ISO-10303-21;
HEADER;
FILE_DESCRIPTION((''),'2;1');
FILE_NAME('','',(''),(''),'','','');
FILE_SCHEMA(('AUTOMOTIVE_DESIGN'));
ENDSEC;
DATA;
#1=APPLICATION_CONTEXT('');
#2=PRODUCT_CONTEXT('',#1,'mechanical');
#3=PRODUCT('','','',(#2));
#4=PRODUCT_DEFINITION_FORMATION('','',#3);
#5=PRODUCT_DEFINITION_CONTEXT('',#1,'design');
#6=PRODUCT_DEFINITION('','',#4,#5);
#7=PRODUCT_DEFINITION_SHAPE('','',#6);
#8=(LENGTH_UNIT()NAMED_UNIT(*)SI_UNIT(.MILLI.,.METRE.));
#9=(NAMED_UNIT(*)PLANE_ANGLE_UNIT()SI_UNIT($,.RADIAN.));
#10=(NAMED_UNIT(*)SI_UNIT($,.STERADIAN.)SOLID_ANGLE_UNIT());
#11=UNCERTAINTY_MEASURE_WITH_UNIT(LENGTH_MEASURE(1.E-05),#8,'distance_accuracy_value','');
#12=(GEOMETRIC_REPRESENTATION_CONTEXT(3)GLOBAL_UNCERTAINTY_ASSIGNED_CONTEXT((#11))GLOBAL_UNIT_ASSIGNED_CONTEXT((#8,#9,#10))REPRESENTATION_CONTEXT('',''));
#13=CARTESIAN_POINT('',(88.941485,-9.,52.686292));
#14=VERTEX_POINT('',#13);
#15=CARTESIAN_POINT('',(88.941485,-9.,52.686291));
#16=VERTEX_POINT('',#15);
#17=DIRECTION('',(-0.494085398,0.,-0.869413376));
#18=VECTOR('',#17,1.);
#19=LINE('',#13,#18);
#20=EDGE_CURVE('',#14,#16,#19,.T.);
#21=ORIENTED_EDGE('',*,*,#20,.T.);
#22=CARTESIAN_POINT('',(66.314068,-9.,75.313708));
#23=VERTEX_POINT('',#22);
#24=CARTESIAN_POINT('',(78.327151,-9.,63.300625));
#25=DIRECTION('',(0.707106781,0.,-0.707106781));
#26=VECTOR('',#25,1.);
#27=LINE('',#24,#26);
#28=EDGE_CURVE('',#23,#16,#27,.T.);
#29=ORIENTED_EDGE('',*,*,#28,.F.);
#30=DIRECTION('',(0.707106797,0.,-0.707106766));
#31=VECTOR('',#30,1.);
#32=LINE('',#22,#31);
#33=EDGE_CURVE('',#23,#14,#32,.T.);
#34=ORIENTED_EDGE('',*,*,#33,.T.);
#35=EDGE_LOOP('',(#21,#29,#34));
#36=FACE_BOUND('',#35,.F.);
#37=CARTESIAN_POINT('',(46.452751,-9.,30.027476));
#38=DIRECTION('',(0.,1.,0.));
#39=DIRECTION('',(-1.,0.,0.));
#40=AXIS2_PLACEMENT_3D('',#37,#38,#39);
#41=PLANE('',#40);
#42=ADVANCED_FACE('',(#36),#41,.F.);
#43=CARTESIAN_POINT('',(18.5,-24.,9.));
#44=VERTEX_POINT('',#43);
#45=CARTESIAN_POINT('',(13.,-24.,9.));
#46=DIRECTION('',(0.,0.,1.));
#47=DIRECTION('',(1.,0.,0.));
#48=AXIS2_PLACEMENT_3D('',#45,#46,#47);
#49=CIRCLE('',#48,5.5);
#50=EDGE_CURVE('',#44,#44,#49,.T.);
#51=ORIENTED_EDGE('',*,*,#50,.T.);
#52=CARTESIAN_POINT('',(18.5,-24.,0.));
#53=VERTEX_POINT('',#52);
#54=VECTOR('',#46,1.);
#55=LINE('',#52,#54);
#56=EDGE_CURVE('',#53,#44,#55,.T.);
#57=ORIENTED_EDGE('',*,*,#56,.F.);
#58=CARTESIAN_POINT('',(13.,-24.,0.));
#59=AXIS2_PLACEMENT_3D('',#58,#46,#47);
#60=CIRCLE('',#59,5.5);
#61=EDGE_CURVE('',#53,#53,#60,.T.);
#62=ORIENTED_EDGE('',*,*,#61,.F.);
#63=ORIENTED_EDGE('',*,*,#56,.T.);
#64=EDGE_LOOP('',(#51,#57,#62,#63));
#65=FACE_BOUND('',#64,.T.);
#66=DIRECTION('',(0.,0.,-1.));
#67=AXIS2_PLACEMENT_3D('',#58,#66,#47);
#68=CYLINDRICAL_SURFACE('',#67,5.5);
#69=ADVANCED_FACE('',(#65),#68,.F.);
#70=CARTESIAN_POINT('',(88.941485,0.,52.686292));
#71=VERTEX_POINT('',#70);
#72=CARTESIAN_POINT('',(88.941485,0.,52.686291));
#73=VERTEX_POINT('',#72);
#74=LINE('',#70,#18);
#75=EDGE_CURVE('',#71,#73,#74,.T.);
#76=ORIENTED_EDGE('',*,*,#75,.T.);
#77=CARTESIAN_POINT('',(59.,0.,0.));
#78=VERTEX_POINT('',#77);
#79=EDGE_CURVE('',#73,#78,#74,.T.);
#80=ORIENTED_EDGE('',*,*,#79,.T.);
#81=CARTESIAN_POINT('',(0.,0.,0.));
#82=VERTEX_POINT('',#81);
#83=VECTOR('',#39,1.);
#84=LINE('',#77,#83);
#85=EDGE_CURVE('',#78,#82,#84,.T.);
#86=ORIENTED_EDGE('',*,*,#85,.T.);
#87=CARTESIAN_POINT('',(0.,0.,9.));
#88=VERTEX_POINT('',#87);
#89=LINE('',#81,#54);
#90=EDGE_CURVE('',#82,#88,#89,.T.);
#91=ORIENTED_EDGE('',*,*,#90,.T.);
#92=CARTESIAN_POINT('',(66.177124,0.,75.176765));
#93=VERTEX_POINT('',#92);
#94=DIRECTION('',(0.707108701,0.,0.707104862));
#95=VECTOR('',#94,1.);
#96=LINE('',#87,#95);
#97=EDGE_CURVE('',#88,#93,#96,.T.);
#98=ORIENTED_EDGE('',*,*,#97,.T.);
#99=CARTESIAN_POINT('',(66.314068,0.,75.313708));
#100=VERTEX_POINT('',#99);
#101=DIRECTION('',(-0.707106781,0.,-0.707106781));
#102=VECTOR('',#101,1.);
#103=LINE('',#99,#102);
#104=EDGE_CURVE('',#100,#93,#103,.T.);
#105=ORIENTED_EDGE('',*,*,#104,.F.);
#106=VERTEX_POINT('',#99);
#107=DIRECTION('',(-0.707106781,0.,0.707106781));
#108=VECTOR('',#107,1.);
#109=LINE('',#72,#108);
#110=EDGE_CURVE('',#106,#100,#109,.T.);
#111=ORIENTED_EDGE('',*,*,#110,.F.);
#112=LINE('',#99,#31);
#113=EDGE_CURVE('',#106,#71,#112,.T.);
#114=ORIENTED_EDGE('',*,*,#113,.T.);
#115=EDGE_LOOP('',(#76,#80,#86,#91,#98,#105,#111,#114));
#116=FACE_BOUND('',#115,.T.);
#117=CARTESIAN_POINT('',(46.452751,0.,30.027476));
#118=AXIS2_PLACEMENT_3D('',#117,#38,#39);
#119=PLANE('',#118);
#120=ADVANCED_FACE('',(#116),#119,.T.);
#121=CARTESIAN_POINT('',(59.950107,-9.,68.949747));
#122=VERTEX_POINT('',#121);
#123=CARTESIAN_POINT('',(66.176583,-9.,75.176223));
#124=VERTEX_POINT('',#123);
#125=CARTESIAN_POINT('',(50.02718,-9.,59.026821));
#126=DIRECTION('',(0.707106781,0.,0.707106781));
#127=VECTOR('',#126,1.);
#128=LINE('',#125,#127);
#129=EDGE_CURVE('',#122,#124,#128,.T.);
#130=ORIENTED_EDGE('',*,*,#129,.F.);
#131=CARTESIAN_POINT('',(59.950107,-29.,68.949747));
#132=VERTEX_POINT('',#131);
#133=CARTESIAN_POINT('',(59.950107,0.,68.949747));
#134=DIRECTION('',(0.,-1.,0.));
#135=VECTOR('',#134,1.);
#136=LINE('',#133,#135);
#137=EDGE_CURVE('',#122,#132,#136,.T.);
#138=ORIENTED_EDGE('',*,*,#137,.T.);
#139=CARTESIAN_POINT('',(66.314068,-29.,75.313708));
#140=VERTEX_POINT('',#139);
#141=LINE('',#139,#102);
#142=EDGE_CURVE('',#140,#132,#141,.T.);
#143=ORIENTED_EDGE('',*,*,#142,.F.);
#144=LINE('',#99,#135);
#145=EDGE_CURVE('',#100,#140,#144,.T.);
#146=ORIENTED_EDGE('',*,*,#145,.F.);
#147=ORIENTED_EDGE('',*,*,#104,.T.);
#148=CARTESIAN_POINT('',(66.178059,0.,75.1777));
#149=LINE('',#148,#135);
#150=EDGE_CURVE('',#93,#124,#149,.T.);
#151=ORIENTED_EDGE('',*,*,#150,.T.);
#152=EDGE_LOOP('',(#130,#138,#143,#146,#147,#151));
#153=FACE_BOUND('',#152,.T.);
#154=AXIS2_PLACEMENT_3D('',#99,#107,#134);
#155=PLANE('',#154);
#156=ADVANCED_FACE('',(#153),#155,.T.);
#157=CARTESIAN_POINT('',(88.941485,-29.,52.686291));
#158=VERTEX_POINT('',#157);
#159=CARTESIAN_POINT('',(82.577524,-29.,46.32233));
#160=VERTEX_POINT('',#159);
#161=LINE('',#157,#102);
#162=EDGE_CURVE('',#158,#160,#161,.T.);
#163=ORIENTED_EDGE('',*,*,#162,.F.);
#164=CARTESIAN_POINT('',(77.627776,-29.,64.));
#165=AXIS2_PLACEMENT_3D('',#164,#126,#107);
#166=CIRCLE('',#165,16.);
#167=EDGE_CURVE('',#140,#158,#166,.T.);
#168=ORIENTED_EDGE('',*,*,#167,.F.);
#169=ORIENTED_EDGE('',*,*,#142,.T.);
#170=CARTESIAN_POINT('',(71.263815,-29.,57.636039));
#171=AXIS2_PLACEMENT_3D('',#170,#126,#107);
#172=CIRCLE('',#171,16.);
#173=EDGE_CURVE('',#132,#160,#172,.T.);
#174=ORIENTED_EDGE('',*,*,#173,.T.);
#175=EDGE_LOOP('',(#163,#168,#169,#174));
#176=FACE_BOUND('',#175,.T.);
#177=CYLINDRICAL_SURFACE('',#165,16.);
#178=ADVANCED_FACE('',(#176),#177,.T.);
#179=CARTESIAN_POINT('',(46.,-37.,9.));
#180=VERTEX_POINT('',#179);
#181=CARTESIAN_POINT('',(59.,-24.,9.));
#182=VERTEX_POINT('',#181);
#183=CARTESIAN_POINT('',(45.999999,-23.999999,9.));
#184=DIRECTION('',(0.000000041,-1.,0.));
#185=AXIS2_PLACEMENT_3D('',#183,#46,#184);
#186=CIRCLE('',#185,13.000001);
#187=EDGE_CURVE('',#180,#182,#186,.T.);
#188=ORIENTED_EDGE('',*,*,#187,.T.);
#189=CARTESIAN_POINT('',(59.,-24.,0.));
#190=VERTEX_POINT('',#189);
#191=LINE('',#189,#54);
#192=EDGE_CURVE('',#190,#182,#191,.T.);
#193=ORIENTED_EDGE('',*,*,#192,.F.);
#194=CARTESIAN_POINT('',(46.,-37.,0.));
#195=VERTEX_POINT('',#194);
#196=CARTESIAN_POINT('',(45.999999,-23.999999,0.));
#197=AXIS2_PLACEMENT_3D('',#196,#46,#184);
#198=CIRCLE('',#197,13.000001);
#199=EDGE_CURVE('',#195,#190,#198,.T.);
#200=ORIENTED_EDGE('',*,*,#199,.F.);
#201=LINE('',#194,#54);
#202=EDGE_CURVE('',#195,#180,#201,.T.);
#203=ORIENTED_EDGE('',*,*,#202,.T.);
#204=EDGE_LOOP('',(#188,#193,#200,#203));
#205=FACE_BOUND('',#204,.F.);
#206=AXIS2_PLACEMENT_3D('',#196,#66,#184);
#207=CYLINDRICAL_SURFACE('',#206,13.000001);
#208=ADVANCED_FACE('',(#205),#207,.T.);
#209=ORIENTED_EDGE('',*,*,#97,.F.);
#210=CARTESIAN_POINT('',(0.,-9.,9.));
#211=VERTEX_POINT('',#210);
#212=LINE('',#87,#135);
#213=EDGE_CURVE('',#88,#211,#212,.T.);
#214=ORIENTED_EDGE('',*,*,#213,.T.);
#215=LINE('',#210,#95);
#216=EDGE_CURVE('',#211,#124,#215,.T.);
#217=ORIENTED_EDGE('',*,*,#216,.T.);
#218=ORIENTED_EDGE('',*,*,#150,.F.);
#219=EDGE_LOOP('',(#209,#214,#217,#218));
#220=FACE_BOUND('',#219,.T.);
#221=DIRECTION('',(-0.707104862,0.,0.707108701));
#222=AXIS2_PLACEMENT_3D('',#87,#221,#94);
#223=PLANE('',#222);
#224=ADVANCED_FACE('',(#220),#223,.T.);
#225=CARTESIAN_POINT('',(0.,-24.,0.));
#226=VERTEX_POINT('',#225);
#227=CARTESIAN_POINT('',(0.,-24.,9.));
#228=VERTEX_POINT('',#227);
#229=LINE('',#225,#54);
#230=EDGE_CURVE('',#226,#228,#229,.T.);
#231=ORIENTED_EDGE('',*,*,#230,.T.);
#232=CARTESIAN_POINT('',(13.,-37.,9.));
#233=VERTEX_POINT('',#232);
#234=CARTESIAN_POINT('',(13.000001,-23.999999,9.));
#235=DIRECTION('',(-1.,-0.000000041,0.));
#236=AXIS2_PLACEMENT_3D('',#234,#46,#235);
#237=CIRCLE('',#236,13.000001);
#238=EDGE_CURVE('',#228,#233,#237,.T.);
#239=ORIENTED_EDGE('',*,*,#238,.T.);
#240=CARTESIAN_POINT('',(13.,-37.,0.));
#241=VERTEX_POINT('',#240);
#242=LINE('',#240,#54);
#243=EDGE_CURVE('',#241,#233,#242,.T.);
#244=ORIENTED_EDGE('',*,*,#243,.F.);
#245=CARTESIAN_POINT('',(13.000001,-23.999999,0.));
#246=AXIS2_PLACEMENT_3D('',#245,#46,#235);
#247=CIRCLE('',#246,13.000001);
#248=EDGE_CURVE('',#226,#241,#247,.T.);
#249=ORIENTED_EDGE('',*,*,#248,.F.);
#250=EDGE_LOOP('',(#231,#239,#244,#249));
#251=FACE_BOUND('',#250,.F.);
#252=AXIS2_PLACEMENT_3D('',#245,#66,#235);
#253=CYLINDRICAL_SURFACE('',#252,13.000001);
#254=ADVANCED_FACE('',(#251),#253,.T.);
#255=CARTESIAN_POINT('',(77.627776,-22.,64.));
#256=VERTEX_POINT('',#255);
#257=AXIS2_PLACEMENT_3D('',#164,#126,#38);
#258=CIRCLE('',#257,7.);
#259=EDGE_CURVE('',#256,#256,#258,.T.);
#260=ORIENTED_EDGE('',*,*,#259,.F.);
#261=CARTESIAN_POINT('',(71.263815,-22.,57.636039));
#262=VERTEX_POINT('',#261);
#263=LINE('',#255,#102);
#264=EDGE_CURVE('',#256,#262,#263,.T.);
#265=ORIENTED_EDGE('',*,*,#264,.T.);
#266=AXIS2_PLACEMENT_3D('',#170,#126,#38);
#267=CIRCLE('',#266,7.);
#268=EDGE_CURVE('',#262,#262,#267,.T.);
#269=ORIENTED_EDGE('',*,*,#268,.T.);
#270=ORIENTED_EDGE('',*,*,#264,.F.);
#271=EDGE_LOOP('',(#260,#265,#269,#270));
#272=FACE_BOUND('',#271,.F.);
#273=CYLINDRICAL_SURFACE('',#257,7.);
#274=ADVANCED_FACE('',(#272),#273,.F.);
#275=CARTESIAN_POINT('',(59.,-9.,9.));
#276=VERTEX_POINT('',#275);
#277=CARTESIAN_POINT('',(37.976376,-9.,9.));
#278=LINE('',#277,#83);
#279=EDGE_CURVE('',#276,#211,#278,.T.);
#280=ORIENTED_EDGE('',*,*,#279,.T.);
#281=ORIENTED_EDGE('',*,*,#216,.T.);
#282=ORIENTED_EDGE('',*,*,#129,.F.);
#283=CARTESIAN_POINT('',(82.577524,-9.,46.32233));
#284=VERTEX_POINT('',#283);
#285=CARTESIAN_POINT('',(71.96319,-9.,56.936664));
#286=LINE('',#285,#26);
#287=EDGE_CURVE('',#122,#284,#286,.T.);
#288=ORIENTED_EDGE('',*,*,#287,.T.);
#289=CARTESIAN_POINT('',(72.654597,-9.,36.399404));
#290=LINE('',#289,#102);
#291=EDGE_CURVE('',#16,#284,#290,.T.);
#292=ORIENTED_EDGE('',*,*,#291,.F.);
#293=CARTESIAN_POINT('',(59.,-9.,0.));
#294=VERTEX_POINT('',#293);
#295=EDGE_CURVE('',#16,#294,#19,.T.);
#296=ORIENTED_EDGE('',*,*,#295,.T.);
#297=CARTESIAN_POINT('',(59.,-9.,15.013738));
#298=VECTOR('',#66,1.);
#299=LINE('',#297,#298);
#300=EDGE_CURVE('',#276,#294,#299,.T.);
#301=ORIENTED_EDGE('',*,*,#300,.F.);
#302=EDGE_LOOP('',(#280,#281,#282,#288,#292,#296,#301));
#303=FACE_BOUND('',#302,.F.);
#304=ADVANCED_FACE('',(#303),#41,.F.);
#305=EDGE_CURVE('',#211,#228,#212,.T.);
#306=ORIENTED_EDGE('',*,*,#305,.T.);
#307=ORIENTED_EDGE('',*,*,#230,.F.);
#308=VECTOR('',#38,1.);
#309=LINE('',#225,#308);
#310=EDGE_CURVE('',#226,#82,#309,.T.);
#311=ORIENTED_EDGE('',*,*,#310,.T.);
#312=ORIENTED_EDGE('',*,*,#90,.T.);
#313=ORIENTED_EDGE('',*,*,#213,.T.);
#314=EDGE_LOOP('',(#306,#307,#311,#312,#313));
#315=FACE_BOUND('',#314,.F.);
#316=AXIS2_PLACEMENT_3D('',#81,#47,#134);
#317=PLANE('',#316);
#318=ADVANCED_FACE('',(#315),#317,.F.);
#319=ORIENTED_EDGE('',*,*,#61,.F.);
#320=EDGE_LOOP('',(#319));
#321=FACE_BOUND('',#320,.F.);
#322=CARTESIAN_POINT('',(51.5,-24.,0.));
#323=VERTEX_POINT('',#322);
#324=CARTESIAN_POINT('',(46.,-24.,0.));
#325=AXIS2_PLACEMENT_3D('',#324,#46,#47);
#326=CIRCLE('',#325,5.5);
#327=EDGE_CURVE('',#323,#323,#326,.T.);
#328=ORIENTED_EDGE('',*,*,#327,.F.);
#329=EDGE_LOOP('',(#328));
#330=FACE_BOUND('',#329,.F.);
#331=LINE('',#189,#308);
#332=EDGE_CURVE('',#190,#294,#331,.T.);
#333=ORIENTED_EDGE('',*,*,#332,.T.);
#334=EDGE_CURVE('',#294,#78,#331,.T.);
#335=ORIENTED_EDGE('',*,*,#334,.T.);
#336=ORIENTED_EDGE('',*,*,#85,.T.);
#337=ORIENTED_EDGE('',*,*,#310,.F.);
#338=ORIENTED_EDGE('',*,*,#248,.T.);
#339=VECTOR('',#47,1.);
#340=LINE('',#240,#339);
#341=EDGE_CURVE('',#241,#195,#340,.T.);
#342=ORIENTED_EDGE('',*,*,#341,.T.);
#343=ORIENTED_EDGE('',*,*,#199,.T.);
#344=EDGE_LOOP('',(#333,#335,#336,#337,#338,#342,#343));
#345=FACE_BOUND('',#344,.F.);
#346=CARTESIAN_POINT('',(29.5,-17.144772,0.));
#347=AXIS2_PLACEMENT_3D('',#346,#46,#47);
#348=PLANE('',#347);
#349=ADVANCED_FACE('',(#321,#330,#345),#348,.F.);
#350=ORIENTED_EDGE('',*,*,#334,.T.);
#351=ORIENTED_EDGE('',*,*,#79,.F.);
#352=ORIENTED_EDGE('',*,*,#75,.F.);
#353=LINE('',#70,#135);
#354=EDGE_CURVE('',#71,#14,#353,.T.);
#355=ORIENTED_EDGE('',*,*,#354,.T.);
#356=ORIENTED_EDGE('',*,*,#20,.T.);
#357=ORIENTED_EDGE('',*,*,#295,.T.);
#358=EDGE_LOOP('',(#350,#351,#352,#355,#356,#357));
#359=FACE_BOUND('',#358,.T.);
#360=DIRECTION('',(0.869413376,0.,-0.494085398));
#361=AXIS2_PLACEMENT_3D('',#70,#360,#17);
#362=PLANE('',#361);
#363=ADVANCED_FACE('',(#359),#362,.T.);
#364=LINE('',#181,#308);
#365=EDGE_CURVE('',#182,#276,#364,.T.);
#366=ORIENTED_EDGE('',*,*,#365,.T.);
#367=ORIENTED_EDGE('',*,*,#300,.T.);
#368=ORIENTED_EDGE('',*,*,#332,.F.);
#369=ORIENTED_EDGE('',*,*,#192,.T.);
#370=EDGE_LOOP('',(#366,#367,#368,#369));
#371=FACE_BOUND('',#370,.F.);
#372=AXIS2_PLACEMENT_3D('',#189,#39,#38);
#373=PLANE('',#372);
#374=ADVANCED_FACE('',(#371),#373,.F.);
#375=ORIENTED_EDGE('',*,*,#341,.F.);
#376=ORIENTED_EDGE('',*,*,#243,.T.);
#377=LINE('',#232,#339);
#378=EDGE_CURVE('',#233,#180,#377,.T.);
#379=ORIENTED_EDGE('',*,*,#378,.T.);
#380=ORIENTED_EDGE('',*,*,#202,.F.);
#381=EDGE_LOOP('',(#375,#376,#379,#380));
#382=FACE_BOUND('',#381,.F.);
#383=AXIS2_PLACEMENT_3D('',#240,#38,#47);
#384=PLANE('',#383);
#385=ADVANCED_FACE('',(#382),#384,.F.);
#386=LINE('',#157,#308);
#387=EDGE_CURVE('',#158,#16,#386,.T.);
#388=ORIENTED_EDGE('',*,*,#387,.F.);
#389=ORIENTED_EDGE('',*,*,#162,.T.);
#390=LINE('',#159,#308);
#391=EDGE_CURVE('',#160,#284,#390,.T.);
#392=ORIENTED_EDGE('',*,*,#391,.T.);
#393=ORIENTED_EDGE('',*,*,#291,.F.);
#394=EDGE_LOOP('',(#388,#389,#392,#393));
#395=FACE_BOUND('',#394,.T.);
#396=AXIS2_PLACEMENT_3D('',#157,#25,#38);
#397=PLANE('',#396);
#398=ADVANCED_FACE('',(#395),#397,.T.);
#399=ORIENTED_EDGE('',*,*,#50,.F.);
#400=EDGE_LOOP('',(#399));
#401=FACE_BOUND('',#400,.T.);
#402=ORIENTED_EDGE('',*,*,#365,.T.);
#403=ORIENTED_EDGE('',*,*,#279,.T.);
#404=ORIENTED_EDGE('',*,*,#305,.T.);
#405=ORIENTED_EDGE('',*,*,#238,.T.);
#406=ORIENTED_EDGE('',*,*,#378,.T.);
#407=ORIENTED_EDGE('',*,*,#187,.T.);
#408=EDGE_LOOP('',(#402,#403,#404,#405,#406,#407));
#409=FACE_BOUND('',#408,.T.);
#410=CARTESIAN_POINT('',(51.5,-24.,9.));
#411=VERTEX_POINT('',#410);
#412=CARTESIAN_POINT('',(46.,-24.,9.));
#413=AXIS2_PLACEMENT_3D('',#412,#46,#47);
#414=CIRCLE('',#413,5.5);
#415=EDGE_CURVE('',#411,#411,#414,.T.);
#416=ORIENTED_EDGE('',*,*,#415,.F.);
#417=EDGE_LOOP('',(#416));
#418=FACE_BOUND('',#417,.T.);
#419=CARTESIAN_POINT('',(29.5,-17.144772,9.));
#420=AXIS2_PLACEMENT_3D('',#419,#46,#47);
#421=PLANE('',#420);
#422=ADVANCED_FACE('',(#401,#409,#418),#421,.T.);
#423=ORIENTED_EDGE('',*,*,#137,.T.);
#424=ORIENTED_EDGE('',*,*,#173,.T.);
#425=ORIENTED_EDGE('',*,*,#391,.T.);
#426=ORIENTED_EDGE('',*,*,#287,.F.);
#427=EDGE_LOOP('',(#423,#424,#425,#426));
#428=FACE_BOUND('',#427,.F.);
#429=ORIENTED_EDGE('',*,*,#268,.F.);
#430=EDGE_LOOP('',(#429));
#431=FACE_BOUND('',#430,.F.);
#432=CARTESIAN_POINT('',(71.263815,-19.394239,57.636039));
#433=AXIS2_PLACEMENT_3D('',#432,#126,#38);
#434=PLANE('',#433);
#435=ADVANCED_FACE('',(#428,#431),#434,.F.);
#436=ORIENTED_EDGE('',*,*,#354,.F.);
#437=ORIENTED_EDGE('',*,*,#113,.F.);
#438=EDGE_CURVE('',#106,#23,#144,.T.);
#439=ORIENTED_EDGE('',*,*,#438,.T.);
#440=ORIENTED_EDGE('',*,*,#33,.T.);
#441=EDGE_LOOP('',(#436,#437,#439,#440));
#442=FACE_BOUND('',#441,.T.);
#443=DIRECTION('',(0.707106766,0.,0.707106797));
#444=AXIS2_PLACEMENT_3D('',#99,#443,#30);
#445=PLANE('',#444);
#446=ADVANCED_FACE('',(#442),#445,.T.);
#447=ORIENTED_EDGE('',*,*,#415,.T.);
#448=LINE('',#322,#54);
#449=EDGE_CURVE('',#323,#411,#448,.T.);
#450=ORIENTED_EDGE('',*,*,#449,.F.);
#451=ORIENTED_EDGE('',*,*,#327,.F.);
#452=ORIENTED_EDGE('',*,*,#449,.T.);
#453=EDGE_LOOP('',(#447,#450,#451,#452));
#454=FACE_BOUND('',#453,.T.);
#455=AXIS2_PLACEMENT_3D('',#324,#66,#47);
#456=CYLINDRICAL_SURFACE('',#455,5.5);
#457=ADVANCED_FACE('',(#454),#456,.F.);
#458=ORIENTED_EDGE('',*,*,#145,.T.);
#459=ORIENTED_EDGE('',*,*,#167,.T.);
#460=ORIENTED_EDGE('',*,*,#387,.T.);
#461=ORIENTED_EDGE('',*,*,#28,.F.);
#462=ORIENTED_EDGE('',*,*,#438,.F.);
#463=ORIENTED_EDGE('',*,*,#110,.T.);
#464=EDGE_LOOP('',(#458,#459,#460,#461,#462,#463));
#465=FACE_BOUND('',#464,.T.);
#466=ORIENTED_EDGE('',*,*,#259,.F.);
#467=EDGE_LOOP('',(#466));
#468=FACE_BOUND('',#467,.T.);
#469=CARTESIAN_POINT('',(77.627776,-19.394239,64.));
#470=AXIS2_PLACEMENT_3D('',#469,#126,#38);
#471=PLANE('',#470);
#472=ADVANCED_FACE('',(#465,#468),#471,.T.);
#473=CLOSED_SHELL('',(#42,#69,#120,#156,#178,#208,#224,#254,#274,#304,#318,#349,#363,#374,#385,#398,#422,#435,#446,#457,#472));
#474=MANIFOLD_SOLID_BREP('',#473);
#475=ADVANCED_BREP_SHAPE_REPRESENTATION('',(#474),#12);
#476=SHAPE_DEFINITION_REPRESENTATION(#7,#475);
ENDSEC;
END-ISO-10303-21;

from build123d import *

# Parameters (mm, degrees)
F0_R     = 5.5
F1_DEPTH = 9
F3_DEPTH = 9
F4_R     = 7
F5_DEPTH = 9


with BuildPart() as f1:
    # F0 (on Top) → F1 (new body)
    with BuildSketch(Plane.XY):
        with BuildLine():
            Line((59, 0), (0, 0))
            Line((0, 0), (0, -24))
            ThreePointArc((0, -24), (3.807612, -33.192388), (13, -37))
            Line((13, -37), (46, -37))
            ThreePointArc((46, -37), (55.192388, -33.192388), (59, -24))
            Line((59, -24), (59, 0))
        make_face()
        with Locations((13, -24)):
            Circle(F0_R, mode=Mode.SUBTRACT)
        with Locations((46, -24)):
            Circle(F0_R, mode=Mode.SUBTRACT)
    extrude(amount=F1_DEPTH)

    # F2 (on face) → F3 (join)
    with BuildSketch(Plane(origin=(0, 0, 0), x_dir=(-1, 0, 0), z_dir=(0, 1, 0))):
        Polygon((-88.941485, 52.686292), (-59, 0), (0, 0), (0, 9), (-66.314068, 75.313708), align=None)
    extrude(amount=-F3_DEPTH)

    # F4 (on face) → F5 (join)
    with BuildSketch(Plane(origin=(70.813888, 0, 70.813888), x_dir=(0, 1, 0), z_dir=(0.707107, 0, 0.707107))):
        with BuildLine():
            Line((0, -25.636293), (0, 6.363707))
            Line((0, 6.363707), (-29, 6.363707))
            ThreePointArc((-29, 6.363707), (-45, -9.636293), (-29, -25.636293))
            Line((-29, -25.636293), (0, -25.636293))
        make_face()
        with Locations((-29, -9.636293)):
            Circle(F4_R, mode=Mode.SUBTRACT)
    extrude(amount=-F5_DEPTH)


solid = f1.part
